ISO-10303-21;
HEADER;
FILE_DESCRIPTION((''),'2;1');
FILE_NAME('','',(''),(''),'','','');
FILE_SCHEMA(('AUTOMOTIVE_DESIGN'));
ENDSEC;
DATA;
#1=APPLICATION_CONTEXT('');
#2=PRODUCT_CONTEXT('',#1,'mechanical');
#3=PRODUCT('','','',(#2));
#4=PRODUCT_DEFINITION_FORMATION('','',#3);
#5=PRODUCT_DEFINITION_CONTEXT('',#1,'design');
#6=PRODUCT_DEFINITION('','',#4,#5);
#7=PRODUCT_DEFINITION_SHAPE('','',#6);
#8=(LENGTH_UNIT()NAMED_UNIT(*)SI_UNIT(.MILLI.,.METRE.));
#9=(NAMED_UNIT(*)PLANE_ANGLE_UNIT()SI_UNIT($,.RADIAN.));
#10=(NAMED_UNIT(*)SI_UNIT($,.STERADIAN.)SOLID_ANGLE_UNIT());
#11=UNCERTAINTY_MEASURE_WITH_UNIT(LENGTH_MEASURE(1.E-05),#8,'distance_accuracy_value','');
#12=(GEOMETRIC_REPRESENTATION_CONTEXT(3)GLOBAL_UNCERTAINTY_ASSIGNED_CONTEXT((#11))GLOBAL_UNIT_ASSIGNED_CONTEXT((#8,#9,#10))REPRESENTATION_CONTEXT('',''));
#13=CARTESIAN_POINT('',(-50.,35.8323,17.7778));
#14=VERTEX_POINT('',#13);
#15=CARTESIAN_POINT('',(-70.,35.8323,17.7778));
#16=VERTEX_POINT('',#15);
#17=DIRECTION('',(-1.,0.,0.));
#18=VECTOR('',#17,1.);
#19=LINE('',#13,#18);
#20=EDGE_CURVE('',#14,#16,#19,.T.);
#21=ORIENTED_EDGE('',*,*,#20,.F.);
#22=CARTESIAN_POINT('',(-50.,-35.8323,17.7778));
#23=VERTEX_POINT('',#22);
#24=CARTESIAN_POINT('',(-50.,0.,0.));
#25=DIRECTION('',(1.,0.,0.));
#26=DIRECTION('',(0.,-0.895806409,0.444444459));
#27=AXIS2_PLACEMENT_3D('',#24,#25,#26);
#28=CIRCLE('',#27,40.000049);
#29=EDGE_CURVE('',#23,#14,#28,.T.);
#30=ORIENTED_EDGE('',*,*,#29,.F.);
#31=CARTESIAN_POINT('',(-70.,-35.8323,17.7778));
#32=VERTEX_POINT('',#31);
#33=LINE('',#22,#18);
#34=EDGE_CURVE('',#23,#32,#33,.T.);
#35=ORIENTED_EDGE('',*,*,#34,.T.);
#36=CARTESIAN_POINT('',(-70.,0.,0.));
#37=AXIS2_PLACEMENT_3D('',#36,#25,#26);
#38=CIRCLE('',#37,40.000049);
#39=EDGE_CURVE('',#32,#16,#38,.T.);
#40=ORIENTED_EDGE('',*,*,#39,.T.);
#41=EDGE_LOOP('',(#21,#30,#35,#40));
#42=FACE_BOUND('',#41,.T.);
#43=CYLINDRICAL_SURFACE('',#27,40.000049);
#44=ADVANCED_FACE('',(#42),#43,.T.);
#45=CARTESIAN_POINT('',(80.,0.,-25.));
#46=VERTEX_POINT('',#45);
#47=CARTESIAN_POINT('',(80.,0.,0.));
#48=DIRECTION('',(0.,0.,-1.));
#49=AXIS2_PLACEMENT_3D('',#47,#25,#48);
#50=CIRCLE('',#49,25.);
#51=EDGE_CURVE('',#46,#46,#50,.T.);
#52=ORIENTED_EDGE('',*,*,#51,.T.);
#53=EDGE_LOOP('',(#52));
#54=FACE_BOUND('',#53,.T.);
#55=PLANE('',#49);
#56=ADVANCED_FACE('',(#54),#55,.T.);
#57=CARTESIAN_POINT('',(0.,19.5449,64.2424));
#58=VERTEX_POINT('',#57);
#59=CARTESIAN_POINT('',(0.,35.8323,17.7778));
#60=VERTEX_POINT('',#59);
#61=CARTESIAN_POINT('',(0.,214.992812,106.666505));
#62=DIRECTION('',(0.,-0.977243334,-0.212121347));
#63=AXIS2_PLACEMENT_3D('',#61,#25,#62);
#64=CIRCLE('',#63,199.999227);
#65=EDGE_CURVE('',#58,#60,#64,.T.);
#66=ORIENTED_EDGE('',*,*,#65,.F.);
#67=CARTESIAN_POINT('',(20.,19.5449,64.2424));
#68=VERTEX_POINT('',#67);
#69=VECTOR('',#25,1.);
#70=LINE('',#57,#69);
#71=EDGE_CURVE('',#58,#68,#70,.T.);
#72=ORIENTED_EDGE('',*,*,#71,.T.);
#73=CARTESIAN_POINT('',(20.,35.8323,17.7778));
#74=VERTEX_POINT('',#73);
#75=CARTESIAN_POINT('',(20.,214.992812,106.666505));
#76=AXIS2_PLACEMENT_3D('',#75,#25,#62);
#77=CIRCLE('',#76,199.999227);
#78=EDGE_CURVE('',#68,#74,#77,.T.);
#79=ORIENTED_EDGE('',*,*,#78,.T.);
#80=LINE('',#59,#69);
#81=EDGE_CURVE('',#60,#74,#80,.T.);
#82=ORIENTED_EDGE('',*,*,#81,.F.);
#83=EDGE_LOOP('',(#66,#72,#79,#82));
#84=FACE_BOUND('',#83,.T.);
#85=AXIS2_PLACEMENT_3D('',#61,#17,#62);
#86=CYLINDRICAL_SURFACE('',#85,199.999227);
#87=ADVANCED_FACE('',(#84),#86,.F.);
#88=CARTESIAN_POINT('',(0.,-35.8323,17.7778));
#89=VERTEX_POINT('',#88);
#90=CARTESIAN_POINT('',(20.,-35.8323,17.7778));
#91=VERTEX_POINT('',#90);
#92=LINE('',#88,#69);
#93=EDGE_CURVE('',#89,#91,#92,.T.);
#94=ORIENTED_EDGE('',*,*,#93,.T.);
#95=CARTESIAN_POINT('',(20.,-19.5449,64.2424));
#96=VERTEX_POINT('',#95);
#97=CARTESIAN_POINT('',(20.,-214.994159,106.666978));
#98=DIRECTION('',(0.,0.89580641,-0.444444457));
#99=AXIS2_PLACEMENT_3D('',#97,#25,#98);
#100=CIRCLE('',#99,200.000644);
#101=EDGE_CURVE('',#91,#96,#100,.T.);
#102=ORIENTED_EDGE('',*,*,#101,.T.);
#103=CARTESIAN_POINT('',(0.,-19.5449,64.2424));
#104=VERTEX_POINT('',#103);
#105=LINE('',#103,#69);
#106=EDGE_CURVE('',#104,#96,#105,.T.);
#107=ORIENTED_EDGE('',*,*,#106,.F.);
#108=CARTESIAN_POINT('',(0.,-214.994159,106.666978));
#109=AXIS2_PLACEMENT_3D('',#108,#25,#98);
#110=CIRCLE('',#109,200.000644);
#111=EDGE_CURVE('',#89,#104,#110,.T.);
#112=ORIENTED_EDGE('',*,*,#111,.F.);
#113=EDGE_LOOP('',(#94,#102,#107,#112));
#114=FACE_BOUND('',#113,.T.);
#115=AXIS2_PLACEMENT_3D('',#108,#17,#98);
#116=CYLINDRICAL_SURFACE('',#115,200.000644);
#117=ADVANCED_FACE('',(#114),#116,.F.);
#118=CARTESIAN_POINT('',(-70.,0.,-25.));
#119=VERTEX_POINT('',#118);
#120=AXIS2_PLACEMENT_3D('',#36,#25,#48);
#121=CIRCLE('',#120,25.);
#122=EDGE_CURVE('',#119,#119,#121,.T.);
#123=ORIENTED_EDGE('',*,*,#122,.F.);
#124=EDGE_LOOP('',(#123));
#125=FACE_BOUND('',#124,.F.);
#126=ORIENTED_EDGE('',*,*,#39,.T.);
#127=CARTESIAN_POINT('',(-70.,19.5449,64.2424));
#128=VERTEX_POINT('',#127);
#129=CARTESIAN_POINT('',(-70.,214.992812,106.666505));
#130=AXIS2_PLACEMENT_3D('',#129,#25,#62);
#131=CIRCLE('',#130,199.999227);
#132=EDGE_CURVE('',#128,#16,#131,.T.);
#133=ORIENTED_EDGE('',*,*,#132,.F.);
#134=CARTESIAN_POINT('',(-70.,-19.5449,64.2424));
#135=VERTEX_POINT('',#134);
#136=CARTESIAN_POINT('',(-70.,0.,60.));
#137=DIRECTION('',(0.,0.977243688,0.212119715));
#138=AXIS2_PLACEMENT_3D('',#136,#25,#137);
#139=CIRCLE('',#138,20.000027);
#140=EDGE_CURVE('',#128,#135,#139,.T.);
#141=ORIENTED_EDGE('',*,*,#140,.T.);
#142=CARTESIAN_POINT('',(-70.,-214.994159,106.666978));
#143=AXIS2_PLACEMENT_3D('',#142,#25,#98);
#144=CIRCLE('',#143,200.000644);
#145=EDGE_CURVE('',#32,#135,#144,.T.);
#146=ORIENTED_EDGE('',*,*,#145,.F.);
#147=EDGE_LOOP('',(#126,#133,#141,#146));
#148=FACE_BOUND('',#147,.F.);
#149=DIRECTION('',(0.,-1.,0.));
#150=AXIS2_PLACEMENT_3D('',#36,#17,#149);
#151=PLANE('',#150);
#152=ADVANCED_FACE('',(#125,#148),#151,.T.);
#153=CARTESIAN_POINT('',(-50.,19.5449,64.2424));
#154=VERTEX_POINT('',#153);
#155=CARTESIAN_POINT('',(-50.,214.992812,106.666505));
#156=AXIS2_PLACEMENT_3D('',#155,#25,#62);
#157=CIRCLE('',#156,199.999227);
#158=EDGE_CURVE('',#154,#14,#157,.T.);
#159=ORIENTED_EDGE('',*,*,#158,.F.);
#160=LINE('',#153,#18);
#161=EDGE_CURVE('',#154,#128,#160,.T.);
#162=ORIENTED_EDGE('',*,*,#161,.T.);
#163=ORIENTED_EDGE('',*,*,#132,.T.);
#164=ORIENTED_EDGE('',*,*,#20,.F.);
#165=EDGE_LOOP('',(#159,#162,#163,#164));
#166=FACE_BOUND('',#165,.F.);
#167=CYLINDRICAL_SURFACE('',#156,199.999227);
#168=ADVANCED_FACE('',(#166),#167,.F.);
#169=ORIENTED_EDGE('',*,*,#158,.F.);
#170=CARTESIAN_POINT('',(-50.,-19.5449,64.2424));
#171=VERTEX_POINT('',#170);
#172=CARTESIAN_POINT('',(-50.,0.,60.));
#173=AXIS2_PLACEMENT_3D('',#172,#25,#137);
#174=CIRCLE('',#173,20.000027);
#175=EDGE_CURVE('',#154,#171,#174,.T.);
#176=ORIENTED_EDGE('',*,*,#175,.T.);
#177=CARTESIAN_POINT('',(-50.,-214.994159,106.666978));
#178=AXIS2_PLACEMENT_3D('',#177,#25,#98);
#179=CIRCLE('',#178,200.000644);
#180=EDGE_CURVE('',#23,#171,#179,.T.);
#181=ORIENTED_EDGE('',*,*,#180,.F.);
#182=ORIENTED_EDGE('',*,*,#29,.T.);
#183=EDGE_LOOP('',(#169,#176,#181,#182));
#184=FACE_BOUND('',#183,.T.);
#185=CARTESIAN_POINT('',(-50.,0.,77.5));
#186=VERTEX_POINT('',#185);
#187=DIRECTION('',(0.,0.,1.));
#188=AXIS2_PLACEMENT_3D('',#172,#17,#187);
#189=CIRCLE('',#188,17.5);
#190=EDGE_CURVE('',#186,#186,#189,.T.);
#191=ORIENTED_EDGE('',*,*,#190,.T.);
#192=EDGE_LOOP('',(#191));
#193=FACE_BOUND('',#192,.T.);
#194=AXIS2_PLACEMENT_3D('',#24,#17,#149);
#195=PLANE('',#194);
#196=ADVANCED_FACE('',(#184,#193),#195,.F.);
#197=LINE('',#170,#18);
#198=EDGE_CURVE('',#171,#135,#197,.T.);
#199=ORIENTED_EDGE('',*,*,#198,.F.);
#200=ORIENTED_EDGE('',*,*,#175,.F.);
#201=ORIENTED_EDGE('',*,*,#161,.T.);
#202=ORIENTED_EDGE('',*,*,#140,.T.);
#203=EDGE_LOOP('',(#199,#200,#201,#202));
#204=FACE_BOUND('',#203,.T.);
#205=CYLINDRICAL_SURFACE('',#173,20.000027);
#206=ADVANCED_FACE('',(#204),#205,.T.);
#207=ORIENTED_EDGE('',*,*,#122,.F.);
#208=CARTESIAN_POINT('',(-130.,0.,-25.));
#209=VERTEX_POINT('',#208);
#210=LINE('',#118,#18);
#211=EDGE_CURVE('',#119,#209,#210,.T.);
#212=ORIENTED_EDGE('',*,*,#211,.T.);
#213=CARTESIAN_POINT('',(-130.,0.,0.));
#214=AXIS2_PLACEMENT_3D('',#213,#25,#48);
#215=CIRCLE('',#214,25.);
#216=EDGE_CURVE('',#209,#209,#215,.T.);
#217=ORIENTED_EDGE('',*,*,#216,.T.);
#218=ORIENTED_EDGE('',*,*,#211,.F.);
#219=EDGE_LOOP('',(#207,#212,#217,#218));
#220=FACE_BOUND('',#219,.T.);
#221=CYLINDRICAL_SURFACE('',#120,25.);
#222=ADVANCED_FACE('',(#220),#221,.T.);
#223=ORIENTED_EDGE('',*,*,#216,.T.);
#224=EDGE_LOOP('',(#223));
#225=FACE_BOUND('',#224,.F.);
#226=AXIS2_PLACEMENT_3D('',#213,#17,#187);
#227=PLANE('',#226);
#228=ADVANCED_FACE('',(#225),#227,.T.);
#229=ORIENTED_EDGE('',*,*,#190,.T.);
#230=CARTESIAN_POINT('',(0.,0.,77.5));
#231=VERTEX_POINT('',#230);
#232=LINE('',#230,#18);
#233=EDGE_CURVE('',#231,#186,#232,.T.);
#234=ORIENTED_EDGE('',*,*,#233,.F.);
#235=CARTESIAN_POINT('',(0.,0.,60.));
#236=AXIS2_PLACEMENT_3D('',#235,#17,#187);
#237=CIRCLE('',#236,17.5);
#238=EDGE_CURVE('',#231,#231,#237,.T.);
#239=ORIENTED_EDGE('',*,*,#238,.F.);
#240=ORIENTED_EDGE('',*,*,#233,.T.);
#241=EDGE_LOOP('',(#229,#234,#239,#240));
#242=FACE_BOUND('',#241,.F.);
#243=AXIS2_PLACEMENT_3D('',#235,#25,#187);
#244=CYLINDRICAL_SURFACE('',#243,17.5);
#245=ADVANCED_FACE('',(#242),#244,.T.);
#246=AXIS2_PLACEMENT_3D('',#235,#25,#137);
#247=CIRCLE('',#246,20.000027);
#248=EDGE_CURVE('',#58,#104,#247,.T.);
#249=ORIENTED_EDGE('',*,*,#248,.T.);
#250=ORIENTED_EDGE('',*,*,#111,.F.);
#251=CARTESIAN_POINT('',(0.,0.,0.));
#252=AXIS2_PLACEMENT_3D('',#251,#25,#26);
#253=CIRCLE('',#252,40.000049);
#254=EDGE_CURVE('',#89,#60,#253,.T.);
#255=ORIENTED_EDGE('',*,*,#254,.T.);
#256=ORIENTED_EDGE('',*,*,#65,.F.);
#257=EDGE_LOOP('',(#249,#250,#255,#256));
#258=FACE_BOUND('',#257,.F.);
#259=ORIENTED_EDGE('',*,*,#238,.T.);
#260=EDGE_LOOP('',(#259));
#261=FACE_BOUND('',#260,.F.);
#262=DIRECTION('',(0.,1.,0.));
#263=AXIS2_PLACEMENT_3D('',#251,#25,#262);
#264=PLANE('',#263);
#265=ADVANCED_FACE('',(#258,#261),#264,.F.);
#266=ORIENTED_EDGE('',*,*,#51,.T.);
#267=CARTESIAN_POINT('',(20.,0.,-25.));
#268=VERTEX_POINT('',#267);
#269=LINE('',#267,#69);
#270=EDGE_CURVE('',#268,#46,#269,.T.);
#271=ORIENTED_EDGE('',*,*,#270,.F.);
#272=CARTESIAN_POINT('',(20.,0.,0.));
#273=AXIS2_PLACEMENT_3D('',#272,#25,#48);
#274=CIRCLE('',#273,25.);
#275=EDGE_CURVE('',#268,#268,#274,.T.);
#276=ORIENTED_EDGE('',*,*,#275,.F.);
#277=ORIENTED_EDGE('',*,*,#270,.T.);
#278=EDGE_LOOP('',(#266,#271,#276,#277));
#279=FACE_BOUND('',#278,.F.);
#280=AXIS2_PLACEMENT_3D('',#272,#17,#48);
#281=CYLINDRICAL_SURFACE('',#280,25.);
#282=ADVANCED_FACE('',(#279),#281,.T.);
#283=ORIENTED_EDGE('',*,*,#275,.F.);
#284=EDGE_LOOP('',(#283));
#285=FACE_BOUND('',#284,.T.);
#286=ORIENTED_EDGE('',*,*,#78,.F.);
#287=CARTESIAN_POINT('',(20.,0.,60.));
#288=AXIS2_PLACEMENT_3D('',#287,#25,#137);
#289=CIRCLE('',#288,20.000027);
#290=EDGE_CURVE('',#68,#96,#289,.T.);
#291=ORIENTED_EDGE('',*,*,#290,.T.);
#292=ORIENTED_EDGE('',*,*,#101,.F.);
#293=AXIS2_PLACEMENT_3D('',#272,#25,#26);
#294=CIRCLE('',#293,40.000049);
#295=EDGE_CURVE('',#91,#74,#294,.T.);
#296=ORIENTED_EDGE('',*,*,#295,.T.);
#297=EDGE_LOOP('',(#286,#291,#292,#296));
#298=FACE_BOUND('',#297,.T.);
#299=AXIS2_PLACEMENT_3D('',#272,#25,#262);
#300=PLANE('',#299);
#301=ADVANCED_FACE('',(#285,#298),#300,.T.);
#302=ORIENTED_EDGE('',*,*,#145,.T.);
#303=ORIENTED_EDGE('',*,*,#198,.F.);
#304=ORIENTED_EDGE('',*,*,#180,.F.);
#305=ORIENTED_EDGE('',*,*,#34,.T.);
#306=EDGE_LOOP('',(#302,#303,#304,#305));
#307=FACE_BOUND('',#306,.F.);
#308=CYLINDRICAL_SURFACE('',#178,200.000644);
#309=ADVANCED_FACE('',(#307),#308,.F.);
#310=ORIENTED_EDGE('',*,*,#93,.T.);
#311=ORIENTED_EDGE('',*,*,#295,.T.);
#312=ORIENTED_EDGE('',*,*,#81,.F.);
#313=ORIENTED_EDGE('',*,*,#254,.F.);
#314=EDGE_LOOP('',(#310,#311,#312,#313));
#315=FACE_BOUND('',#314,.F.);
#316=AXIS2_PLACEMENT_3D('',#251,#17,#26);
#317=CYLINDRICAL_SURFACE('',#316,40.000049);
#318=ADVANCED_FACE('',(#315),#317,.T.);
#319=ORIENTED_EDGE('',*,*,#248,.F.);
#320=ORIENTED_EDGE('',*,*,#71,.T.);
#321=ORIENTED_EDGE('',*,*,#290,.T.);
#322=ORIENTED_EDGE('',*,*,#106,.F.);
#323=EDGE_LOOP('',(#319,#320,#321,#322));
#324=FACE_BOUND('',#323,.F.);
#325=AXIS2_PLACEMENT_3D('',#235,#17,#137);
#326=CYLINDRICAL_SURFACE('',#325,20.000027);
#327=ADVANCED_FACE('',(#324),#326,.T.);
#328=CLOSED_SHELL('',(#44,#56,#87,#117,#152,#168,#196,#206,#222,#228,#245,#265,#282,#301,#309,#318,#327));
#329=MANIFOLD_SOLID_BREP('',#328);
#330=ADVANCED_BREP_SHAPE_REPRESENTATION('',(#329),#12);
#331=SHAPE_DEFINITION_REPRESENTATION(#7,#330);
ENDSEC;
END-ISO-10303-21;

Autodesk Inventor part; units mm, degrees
ref_plane "YZ Plane" through (0, 0, 0) normal (1, 0, 0) x (0, 1, 0)
ref_plane "XZ Plane" through (0, 0, 0) normal (0, 1, 0) x (-1, 0, 0)
sketch "Sketch4" plane through (0, 0, 0) normal (1, 0, 0) x (0, 1, 0)
  arc A0 (-35.8323, 17.7778) -> (35.8323, 17.7778) centre (0, 0) ccw
  arc A1 (19.5449, 64.2424) -> (-19.5449, 64.2424) centre (0, 60) ccw
  arc A2 (-35.8323, 17.7778) -> (-19.5449, 64.2424) centre (-214.9935, 106.6667) ccw
  arc A3 (19.5449, 64.2424) -> (35.8323, 17.7778) centre (214.9935, 106.6667) ccw
  dimension "d13" = 80
  dimension "d14" = 40
  dimension "d15" = 60
  dimension "d16" = 200
  dimension "d17" = 200
extrude "Extrusion4" add sketch "Sketch4" along normal blind 20
sketch "Sketch5" plane through (20, 0, 0) normal (1, 0, 0) x (0, 0, -1)
  arc A0 (-17.7778, -35.8323) -> (-17.7778, 35.8323) centre (0, 0) ccw projected
  circle A1 centre (0, 0) radius 25
  dimension "d20" = 50
extrude "Extrusion5" add sketch "Sketch5" along normal blind 60
sketch "Sketch6" plane through (0, 0, 0) normal (-1, 0, 0) x (0, 0, 1)
  arc A0 (64.2424, -19.5449) -> (64.2424, 19.5449) centre (60, 0) ccw projected
  circle A1 centre (60, 0) radius 17.5
  dimension "d23" = 35
extrude "Extrusion6" add sketch "Sketch6" along normal blind 50
ref_plane "Work Plane2" through (-25, 0, 60) normal (-1, 0, 0) x (0, 0, 1)
mirror "Mirror3" about plane through (-25, 0, 60) normal (-1, 0, 0) of "Extrusion4"
mirror "Mirror4" about plane through (-25, 0, 60) normal (-1, 0, 0) of "Extrusion5"
properties part number "crankshaft" material "Silicon Nitride"
